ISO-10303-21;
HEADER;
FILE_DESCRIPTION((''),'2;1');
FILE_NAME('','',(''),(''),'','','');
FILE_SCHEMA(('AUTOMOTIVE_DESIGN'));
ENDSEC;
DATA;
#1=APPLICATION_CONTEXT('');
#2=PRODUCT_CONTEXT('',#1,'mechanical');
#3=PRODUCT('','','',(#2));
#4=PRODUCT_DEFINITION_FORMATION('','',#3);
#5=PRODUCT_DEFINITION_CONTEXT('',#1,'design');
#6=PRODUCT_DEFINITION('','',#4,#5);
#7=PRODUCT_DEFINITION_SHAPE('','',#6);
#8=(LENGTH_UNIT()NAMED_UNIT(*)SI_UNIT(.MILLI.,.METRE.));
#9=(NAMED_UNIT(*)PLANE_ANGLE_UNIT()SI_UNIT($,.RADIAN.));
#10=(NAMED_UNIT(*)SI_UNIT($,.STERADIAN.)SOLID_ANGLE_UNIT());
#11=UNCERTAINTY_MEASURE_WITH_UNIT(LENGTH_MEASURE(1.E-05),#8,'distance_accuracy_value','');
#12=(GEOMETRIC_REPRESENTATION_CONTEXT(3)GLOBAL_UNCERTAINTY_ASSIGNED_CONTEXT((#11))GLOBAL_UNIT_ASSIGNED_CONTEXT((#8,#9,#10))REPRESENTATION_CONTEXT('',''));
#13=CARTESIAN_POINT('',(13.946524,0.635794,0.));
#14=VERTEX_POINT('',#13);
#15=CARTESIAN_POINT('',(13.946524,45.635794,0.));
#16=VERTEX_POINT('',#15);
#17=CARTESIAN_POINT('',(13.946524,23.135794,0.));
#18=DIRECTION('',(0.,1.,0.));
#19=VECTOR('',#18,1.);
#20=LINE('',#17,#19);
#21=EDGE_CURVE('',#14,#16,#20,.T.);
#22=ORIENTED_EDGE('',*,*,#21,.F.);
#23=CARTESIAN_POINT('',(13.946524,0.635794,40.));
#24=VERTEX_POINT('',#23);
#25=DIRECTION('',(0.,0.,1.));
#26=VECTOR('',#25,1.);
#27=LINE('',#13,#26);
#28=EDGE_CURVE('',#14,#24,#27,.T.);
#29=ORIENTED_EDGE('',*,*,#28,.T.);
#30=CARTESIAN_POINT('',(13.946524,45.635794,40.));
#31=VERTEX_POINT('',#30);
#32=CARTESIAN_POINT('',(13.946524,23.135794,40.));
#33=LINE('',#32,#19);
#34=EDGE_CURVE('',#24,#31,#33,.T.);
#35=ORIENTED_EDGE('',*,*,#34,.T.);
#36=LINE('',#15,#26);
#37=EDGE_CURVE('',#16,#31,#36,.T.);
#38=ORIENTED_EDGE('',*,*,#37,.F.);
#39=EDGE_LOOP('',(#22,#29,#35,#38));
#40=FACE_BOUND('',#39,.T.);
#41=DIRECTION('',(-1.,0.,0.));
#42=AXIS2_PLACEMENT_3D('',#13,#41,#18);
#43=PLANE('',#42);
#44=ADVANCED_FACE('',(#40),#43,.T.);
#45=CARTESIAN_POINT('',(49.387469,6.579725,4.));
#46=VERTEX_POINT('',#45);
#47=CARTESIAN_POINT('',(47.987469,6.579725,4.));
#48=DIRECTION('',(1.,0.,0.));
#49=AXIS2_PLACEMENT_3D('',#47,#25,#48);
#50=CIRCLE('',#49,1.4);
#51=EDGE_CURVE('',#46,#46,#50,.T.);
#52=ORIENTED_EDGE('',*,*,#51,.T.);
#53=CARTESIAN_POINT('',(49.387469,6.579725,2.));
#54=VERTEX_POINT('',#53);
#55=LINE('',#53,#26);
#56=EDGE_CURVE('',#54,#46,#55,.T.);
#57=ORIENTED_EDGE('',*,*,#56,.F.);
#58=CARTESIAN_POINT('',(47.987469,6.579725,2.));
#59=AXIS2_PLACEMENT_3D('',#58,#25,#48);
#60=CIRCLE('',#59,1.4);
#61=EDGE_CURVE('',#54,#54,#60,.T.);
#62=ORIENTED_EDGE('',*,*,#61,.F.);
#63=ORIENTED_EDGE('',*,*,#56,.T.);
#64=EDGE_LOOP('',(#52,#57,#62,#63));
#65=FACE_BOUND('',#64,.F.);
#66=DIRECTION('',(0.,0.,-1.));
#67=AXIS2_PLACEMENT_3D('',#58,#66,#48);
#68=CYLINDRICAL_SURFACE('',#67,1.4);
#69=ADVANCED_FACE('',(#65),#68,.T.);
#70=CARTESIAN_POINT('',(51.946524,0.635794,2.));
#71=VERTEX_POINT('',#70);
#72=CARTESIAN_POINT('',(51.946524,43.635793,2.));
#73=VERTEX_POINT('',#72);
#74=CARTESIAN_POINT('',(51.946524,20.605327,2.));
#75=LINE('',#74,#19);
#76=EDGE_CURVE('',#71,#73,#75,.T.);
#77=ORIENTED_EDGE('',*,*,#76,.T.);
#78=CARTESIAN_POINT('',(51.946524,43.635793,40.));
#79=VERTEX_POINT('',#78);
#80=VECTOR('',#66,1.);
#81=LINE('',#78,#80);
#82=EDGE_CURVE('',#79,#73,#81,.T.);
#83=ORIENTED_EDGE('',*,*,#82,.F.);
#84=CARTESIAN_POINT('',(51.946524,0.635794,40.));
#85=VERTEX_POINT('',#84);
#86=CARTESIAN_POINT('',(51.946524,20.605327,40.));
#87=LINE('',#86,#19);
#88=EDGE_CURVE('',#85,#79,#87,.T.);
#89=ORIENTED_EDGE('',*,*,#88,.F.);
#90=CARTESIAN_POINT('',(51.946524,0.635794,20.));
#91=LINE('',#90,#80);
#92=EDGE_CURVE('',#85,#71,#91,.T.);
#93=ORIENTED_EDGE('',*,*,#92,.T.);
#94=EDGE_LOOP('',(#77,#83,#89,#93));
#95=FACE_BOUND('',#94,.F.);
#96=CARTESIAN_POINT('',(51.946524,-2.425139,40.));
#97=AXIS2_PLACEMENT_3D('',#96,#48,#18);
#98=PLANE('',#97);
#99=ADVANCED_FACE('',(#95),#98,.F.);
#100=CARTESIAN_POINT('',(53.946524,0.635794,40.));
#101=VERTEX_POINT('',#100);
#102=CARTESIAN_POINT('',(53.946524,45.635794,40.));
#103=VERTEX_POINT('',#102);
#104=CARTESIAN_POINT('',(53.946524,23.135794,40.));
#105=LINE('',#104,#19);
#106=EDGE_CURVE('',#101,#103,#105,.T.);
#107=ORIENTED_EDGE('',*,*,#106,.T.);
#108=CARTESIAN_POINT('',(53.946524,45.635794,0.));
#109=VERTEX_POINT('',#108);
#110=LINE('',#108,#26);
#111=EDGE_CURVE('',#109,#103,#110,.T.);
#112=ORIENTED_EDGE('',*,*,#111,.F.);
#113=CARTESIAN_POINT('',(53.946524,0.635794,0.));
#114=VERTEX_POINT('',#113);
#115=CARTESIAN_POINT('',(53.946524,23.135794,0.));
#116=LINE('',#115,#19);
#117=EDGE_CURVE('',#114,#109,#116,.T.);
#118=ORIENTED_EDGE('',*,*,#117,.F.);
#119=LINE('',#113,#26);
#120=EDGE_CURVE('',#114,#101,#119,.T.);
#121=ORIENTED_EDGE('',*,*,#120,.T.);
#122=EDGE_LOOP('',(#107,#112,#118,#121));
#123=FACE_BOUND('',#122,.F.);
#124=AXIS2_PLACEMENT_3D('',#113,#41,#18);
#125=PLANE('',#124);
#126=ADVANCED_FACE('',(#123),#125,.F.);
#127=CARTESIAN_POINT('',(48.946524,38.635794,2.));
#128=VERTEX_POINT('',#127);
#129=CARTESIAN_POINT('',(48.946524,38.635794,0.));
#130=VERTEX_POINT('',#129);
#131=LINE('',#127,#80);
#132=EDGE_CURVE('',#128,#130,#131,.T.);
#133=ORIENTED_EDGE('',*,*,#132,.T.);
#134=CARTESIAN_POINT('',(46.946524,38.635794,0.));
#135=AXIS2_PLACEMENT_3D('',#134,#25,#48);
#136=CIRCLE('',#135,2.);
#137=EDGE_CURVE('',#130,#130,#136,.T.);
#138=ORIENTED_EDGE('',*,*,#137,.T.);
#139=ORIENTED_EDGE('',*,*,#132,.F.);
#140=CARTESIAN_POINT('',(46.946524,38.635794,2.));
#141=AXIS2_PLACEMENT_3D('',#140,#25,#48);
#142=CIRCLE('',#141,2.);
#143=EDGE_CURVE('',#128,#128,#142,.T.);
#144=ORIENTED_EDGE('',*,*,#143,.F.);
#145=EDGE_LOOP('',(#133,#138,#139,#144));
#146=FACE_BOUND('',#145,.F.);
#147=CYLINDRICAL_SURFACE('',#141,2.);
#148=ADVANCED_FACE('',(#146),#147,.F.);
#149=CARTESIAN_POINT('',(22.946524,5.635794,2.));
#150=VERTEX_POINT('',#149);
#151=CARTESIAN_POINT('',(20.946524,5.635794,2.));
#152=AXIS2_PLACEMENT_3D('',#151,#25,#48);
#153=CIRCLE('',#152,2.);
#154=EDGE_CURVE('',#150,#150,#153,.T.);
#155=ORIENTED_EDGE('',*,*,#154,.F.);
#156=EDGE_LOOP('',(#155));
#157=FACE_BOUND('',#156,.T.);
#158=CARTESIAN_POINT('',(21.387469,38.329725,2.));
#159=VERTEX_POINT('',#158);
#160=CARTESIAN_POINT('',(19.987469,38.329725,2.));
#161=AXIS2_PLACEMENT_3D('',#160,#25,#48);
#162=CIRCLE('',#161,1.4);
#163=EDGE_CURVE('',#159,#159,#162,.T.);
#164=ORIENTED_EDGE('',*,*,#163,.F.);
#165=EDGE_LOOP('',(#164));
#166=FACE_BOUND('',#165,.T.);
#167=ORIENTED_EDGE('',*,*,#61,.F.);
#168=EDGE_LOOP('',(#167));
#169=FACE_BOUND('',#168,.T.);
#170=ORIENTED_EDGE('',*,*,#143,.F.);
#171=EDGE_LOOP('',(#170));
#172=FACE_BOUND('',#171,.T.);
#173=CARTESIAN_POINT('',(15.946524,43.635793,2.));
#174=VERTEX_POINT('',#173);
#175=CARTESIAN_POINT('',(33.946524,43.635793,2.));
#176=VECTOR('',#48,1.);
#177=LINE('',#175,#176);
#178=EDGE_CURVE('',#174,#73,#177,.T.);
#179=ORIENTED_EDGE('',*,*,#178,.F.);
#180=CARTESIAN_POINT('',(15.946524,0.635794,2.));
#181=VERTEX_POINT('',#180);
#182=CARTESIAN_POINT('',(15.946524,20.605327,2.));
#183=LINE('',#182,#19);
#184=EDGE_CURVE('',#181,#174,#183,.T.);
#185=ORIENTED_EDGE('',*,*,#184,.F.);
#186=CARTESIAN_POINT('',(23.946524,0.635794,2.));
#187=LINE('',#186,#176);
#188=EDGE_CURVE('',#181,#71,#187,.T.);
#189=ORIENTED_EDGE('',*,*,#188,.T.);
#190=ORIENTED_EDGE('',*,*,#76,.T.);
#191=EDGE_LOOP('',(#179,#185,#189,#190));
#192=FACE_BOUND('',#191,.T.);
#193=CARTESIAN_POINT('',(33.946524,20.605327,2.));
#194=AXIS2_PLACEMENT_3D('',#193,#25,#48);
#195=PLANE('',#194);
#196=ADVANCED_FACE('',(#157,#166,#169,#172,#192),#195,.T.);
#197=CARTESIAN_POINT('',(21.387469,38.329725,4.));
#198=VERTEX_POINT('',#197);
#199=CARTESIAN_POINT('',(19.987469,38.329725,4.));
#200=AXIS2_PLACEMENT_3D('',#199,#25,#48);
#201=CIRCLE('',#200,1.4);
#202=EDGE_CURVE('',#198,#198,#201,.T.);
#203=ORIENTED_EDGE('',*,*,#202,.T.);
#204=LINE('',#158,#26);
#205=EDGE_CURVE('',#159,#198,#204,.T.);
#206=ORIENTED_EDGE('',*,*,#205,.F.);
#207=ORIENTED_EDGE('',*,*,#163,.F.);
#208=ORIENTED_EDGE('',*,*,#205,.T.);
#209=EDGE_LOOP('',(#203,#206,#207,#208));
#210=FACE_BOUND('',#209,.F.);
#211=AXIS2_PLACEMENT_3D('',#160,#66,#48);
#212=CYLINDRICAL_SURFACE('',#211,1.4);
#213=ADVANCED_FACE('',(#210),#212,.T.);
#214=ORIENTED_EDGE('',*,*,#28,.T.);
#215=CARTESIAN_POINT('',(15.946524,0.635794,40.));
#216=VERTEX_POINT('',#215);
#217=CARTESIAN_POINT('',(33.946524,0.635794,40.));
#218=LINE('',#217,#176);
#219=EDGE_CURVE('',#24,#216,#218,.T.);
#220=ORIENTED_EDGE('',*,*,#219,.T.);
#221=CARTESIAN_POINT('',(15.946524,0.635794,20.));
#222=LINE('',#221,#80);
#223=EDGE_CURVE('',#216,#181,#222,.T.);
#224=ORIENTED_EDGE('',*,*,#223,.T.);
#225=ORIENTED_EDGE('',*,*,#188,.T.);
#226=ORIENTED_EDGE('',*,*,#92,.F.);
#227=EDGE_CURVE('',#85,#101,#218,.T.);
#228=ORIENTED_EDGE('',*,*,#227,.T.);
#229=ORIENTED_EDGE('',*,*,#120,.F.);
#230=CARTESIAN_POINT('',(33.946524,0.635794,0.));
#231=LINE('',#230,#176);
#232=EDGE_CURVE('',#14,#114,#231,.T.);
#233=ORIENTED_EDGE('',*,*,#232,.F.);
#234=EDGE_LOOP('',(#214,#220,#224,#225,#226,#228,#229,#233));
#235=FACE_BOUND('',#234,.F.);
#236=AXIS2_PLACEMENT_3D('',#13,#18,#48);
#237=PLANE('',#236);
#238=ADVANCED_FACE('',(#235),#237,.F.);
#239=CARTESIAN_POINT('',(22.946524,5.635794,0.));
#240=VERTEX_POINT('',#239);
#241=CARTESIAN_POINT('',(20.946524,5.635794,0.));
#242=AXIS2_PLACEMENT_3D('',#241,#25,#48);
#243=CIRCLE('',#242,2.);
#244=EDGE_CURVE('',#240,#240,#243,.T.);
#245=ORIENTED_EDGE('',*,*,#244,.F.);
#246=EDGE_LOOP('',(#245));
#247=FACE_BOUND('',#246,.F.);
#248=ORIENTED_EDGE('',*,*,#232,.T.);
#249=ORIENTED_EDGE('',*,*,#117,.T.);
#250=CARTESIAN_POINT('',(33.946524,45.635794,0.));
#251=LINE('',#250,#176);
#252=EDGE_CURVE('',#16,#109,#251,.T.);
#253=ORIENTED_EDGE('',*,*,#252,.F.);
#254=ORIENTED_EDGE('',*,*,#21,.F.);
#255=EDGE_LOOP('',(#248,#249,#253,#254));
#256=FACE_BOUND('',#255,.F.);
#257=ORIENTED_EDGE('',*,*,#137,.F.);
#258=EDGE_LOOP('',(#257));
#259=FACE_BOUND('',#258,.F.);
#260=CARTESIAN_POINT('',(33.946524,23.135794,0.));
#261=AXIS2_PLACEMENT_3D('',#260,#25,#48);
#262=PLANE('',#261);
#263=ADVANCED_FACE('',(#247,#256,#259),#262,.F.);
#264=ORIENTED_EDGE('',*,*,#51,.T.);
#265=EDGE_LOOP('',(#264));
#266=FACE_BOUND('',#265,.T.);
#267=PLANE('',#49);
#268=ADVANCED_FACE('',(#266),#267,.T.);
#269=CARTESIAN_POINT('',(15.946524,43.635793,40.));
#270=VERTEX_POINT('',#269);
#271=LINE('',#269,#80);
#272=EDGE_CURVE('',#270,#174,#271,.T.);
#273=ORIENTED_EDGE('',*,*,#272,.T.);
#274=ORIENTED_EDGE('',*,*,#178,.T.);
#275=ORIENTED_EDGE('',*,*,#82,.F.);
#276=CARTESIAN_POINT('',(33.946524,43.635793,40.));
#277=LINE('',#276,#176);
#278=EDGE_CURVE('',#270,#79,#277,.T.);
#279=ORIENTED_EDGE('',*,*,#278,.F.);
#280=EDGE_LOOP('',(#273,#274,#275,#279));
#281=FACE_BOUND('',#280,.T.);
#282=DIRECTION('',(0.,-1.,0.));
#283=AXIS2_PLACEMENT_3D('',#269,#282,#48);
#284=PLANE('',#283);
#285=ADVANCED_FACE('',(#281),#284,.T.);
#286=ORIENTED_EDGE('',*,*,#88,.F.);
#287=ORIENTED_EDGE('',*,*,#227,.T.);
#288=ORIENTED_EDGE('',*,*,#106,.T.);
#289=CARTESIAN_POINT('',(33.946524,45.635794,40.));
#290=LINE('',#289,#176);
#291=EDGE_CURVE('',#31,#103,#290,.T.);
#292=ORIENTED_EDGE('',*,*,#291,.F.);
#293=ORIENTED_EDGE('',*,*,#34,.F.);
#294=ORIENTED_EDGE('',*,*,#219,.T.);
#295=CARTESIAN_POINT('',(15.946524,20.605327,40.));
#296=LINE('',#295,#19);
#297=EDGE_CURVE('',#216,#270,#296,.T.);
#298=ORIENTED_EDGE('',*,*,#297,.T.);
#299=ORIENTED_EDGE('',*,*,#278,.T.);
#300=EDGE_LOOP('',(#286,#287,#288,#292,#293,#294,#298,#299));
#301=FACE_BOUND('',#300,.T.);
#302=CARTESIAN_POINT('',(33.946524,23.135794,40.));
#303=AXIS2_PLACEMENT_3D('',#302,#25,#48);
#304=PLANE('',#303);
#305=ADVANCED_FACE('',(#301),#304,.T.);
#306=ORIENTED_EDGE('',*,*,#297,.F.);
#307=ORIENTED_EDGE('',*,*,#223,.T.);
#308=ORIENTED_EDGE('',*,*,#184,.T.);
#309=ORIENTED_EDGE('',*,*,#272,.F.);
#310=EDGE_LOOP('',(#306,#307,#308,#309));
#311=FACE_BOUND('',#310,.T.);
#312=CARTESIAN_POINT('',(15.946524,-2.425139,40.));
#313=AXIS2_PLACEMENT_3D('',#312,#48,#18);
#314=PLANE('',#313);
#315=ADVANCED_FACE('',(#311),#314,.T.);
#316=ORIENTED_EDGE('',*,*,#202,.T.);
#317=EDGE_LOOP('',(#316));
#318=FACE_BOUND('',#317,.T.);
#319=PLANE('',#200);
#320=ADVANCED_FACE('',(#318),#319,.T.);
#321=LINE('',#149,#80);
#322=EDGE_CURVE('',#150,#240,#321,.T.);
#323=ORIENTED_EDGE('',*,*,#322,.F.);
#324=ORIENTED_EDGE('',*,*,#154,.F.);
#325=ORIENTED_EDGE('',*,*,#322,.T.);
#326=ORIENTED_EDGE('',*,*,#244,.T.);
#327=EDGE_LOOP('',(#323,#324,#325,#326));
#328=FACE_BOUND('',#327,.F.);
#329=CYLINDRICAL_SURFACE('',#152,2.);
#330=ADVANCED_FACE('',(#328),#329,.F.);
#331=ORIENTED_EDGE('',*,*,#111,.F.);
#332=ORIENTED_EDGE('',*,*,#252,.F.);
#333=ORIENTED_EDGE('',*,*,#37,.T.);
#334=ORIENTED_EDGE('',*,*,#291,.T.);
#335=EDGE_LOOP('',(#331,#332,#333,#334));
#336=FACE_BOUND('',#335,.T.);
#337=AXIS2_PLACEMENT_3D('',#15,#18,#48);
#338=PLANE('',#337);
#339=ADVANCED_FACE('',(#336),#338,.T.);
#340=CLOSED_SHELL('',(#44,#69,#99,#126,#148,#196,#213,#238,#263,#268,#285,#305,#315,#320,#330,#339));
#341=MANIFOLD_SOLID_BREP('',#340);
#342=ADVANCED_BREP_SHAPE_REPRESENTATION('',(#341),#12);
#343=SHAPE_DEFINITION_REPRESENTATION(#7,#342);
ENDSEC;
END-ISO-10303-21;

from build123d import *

# Parameters (mm, degrees)
SKETCH_W        = 40
SKETCH_H        = 45
PAD_DEPTH       = 40
SKETCH001_W     = 36
SKETCH001_H     = 46.060933
POCKET_DEPTH    = 38
SKETCH002_R     = 1.4
PAD001_DEPTH    = 2
SKETCH003_R     = 2
POCKET001_DEPTH = 5


with BuildPart() as part:
    # Sketch → Pad (new body)
    with BuildSketch(Plane.XY):
        with Locations((33.946524, 23.135794)):
            Rectangle(SKETCH_W, SKETCH_H)
    extrude(amount=PAD_DEPTH)

    # Sketch001 → Pocket (cut)
    with BuildSketch(Plane.XY.offset(40)):
        with Locations((33.946524, 20.605327)):
            Rectangle(SKETCH001_W, SKETCH001_H)
    extrude(amount=-POCKET_DEPTH, mode=Mode.SUBTRACT)

    # Sketch002 → Pad001 (new body)
    with BuildSketch(Plane.XY.offset(2)):
        with Locations((19.987469, 38.329725)):
            Circle(SKETCH002_R)
        with Locations((47.987469, 6.579725)):
            Circle(SKETCH002_R)
    extrude(amount=PAD001_DEPTH)

    # Sketch003 → Pocket001 (cut)
    with BuildSketch(Plane.XY.offset(2)):
        with Locations((46.946524, 38.635794)):
            Circle(SKETCH003_R)
        with Locations((20.946524, 5.635794)):
            Circle(SKETCH003_R)
    extrude(amount=-POCKET001_DEPTH, mode=Mode.SUBTRACT)


solid = part.part
